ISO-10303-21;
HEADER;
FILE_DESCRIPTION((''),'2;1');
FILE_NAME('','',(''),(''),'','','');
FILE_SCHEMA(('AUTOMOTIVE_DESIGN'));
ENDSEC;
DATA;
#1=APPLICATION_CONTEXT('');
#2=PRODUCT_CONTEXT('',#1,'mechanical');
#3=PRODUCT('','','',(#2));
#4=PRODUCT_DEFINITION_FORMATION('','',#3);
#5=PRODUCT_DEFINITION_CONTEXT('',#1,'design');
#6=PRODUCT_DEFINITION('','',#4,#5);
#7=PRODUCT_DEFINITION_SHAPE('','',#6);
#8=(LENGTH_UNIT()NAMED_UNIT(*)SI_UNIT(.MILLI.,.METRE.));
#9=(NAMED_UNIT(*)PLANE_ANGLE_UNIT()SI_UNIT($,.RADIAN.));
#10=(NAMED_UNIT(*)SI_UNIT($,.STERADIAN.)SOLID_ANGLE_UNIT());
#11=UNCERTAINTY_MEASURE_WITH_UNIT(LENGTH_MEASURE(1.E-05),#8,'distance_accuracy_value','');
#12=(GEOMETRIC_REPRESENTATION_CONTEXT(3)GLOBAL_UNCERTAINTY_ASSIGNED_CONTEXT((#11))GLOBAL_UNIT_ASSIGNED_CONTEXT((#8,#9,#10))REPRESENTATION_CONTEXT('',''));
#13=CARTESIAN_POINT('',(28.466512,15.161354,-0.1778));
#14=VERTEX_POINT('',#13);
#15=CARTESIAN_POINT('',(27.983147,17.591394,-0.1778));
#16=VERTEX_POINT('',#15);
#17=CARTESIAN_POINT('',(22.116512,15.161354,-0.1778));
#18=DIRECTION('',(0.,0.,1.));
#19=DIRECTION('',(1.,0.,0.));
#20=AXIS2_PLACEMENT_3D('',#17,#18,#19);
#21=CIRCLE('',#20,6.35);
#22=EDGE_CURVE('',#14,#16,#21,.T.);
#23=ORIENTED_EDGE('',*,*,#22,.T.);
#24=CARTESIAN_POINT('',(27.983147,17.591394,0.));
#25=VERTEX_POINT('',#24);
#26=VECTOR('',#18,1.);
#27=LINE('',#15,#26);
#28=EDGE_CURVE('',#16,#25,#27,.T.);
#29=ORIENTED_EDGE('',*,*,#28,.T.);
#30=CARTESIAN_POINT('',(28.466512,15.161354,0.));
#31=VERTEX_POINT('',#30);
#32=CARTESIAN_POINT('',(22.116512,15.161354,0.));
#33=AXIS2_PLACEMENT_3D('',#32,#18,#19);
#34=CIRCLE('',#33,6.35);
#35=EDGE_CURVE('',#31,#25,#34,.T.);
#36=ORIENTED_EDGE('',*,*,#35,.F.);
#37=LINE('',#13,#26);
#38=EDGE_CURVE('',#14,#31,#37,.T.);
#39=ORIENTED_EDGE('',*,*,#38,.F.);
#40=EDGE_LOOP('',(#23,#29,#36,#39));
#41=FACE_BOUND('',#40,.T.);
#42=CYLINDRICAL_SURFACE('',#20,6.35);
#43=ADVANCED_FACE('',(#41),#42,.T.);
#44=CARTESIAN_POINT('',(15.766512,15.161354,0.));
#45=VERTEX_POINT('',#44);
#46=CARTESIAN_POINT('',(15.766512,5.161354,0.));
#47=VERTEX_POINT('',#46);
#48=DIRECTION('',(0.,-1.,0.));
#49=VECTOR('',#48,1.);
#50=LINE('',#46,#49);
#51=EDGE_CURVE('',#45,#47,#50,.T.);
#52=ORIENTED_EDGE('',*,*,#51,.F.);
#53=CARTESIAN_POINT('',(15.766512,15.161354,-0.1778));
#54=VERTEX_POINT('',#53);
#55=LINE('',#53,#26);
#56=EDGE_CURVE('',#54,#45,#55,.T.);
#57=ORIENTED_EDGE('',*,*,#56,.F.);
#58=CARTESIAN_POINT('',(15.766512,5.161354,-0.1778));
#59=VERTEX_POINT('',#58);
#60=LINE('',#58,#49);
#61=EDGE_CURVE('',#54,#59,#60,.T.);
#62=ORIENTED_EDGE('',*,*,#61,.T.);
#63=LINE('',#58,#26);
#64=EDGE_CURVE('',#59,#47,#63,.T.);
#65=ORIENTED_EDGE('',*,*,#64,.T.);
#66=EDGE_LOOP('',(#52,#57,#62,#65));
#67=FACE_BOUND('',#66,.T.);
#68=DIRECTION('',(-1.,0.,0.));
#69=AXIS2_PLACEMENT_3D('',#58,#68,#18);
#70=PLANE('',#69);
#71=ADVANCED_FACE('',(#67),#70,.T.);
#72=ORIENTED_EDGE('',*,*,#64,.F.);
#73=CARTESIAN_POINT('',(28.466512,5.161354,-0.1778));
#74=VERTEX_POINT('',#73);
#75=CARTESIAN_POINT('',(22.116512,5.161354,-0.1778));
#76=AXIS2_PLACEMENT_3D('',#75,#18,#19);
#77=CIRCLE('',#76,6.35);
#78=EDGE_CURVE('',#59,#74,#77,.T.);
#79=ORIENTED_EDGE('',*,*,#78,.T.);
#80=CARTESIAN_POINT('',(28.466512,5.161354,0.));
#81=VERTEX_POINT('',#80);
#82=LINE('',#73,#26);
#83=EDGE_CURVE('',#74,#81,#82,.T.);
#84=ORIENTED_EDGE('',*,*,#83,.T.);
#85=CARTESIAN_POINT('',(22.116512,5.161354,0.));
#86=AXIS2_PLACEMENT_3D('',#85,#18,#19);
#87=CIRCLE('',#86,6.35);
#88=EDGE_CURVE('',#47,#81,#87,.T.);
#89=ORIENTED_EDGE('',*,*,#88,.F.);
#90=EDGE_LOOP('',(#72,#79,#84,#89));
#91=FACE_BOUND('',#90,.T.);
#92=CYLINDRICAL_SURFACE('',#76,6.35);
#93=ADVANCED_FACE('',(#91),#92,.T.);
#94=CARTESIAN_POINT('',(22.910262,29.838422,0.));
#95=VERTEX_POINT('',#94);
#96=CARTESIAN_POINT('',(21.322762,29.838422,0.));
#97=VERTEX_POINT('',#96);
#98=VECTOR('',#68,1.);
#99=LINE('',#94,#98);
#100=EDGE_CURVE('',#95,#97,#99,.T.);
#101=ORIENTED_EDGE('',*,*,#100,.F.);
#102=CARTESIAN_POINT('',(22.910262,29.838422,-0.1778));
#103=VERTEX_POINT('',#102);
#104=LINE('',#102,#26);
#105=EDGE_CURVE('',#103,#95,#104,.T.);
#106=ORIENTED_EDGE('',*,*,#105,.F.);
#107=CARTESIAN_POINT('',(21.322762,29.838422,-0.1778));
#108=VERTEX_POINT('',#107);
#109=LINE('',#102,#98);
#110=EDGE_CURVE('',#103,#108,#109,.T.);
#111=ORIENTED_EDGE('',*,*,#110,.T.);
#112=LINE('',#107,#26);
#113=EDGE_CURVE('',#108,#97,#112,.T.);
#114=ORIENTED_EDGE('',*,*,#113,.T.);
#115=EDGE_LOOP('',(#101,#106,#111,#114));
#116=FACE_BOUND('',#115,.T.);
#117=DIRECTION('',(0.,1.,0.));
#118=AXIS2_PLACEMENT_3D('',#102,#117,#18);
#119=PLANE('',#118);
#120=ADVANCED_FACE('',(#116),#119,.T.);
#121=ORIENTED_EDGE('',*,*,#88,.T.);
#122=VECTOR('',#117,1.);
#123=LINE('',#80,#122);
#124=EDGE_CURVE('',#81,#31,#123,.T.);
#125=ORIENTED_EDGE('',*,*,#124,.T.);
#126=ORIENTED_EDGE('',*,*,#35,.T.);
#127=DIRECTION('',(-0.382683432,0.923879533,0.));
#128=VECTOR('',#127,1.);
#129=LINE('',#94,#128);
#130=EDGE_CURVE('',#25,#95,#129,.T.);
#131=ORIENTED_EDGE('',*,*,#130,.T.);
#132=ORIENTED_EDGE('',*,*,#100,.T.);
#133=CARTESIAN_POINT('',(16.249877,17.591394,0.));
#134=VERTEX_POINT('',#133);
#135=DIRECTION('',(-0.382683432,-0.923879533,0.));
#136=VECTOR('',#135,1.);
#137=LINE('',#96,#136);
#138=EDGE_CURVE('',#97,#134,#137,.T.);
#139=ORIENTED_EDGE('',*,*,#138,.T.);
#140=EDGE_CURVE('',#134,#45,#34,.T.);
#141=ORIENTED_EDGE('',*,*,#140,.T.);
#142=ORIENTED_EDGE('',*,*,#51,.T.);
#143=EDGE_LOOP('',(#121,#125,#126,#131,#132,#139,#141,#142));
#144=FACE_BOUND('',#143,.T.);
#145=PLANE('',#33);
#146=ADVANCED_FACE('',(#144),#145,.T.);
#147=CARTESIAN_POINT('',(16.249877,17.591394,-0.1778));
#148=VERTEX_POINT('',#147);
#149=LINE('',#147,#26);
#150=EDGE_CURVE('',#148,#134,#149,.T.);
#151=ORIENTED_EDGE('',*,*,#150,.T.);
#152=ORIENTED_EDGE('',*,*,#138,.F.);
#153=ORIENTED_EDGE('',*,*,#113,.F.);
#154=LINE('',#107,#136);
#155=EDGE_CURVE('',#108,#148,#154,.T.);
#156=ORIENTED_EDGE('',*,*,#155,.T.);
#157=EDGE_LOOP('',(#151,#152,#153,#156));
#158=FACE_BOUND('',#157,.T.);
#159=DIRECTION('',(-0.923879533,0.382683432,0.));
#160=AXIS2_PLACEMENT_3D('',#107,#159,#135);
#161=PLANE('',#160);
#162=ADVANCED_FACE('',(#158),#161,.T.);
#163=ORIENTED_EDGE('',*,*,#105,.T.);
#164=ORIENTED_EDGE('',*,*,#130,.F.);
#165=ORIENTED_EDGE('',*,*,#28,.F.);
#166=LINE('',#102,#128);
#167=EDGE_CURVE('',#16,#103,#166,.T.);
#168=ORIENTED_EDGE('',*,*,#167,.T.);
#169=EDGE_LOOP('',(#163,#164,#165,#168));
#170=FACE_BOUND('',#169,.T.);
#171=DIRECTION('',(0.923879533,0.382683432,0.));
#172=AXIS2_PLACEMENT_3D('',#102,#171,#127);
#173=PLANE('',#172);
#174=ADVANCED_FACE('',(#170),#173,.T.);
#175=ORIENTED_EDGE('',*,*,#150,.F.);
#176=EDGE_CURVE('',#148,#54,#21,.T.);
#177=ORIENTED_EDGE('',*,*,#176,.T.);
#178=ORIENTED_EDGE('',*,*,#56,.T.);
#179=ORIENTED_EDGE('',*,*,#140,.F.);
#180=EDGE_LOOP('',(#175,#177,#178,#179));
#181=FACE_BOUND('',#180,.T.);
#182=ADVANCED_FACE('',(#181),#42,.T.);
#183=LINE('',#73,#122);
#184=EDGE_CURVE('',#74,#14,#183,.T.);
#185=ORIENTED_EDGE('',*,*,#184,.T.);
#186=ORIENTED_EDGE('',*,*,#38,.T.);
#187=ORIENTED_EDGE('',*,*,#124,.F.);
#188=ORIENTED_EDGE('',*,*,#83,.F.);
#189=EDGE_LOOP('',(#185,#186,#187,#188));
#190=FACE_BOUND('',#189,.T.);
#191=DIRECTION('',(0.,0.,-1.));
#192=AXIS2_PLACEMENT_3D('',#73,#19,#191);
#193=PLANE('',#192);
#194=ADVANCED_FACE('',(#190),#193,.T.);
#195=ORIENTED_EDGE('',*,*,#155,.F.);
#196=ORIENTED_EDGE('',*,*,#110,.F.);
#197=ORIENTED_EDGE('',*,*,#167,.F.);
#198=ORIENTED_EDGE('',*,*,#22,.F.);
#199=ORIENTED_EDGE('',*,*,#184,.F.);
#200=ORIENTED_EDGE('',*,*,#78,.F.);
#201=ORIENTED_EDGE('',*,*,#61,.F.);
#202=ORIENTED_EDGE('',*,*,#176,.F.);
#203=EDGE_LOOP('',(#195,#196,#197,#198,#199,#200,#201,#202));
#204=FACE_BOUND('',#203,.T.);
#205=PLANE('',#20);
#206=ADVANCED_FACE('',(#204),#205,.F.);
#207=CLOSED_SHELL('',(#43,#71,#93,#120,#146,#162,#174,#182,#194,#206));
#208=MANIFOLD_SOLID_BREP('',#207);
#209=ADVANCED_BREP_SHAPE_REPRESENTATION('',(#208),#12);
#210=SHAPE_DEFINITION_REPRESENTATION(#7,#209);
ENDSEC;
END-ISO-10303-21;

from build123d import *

# Parameters (mm, degrees)
BOSS_EXTRUDE2_DEPTH = 0.1778


with BuildPart() as part:
    # Sketch1 → Boss-Extrude2 (new body)
    with BuildSketch(Plane.XY):
        with BuildLine():
            Line((28.466511978, 5.161354222), (28.466511978, 15.161354222))
            ThreePointArc((28.466511978, 15.161354222), (28.344498508, 16.400177767), (27.983147009, 17.591394018))
            Line((27.983147009, 17.591394018), (22.910261978, 29.838421861))
            Line((22.910261978, 29.838421861), (21.322761978, 29.838421861))
            Line((21.322761978, 29.838421861), (16.249876946, 17.591394018))
            ThreePointArc((16.249876946, 17.591394018), (15.888525447, 16.400177767), (15.766511978, 15.161354222))
            Line((15.766511978, 15.161354222), (15.766511978, 5.161354222))
            ThreePointArc((15.766511978, 5.161354222), (22.116511978, -1.188645778), (28.466511978, 5.161354222))
        make_face()
    extrude(amount=-BOSS_EXTRUDE2_DEPTH)


solid = part.part
